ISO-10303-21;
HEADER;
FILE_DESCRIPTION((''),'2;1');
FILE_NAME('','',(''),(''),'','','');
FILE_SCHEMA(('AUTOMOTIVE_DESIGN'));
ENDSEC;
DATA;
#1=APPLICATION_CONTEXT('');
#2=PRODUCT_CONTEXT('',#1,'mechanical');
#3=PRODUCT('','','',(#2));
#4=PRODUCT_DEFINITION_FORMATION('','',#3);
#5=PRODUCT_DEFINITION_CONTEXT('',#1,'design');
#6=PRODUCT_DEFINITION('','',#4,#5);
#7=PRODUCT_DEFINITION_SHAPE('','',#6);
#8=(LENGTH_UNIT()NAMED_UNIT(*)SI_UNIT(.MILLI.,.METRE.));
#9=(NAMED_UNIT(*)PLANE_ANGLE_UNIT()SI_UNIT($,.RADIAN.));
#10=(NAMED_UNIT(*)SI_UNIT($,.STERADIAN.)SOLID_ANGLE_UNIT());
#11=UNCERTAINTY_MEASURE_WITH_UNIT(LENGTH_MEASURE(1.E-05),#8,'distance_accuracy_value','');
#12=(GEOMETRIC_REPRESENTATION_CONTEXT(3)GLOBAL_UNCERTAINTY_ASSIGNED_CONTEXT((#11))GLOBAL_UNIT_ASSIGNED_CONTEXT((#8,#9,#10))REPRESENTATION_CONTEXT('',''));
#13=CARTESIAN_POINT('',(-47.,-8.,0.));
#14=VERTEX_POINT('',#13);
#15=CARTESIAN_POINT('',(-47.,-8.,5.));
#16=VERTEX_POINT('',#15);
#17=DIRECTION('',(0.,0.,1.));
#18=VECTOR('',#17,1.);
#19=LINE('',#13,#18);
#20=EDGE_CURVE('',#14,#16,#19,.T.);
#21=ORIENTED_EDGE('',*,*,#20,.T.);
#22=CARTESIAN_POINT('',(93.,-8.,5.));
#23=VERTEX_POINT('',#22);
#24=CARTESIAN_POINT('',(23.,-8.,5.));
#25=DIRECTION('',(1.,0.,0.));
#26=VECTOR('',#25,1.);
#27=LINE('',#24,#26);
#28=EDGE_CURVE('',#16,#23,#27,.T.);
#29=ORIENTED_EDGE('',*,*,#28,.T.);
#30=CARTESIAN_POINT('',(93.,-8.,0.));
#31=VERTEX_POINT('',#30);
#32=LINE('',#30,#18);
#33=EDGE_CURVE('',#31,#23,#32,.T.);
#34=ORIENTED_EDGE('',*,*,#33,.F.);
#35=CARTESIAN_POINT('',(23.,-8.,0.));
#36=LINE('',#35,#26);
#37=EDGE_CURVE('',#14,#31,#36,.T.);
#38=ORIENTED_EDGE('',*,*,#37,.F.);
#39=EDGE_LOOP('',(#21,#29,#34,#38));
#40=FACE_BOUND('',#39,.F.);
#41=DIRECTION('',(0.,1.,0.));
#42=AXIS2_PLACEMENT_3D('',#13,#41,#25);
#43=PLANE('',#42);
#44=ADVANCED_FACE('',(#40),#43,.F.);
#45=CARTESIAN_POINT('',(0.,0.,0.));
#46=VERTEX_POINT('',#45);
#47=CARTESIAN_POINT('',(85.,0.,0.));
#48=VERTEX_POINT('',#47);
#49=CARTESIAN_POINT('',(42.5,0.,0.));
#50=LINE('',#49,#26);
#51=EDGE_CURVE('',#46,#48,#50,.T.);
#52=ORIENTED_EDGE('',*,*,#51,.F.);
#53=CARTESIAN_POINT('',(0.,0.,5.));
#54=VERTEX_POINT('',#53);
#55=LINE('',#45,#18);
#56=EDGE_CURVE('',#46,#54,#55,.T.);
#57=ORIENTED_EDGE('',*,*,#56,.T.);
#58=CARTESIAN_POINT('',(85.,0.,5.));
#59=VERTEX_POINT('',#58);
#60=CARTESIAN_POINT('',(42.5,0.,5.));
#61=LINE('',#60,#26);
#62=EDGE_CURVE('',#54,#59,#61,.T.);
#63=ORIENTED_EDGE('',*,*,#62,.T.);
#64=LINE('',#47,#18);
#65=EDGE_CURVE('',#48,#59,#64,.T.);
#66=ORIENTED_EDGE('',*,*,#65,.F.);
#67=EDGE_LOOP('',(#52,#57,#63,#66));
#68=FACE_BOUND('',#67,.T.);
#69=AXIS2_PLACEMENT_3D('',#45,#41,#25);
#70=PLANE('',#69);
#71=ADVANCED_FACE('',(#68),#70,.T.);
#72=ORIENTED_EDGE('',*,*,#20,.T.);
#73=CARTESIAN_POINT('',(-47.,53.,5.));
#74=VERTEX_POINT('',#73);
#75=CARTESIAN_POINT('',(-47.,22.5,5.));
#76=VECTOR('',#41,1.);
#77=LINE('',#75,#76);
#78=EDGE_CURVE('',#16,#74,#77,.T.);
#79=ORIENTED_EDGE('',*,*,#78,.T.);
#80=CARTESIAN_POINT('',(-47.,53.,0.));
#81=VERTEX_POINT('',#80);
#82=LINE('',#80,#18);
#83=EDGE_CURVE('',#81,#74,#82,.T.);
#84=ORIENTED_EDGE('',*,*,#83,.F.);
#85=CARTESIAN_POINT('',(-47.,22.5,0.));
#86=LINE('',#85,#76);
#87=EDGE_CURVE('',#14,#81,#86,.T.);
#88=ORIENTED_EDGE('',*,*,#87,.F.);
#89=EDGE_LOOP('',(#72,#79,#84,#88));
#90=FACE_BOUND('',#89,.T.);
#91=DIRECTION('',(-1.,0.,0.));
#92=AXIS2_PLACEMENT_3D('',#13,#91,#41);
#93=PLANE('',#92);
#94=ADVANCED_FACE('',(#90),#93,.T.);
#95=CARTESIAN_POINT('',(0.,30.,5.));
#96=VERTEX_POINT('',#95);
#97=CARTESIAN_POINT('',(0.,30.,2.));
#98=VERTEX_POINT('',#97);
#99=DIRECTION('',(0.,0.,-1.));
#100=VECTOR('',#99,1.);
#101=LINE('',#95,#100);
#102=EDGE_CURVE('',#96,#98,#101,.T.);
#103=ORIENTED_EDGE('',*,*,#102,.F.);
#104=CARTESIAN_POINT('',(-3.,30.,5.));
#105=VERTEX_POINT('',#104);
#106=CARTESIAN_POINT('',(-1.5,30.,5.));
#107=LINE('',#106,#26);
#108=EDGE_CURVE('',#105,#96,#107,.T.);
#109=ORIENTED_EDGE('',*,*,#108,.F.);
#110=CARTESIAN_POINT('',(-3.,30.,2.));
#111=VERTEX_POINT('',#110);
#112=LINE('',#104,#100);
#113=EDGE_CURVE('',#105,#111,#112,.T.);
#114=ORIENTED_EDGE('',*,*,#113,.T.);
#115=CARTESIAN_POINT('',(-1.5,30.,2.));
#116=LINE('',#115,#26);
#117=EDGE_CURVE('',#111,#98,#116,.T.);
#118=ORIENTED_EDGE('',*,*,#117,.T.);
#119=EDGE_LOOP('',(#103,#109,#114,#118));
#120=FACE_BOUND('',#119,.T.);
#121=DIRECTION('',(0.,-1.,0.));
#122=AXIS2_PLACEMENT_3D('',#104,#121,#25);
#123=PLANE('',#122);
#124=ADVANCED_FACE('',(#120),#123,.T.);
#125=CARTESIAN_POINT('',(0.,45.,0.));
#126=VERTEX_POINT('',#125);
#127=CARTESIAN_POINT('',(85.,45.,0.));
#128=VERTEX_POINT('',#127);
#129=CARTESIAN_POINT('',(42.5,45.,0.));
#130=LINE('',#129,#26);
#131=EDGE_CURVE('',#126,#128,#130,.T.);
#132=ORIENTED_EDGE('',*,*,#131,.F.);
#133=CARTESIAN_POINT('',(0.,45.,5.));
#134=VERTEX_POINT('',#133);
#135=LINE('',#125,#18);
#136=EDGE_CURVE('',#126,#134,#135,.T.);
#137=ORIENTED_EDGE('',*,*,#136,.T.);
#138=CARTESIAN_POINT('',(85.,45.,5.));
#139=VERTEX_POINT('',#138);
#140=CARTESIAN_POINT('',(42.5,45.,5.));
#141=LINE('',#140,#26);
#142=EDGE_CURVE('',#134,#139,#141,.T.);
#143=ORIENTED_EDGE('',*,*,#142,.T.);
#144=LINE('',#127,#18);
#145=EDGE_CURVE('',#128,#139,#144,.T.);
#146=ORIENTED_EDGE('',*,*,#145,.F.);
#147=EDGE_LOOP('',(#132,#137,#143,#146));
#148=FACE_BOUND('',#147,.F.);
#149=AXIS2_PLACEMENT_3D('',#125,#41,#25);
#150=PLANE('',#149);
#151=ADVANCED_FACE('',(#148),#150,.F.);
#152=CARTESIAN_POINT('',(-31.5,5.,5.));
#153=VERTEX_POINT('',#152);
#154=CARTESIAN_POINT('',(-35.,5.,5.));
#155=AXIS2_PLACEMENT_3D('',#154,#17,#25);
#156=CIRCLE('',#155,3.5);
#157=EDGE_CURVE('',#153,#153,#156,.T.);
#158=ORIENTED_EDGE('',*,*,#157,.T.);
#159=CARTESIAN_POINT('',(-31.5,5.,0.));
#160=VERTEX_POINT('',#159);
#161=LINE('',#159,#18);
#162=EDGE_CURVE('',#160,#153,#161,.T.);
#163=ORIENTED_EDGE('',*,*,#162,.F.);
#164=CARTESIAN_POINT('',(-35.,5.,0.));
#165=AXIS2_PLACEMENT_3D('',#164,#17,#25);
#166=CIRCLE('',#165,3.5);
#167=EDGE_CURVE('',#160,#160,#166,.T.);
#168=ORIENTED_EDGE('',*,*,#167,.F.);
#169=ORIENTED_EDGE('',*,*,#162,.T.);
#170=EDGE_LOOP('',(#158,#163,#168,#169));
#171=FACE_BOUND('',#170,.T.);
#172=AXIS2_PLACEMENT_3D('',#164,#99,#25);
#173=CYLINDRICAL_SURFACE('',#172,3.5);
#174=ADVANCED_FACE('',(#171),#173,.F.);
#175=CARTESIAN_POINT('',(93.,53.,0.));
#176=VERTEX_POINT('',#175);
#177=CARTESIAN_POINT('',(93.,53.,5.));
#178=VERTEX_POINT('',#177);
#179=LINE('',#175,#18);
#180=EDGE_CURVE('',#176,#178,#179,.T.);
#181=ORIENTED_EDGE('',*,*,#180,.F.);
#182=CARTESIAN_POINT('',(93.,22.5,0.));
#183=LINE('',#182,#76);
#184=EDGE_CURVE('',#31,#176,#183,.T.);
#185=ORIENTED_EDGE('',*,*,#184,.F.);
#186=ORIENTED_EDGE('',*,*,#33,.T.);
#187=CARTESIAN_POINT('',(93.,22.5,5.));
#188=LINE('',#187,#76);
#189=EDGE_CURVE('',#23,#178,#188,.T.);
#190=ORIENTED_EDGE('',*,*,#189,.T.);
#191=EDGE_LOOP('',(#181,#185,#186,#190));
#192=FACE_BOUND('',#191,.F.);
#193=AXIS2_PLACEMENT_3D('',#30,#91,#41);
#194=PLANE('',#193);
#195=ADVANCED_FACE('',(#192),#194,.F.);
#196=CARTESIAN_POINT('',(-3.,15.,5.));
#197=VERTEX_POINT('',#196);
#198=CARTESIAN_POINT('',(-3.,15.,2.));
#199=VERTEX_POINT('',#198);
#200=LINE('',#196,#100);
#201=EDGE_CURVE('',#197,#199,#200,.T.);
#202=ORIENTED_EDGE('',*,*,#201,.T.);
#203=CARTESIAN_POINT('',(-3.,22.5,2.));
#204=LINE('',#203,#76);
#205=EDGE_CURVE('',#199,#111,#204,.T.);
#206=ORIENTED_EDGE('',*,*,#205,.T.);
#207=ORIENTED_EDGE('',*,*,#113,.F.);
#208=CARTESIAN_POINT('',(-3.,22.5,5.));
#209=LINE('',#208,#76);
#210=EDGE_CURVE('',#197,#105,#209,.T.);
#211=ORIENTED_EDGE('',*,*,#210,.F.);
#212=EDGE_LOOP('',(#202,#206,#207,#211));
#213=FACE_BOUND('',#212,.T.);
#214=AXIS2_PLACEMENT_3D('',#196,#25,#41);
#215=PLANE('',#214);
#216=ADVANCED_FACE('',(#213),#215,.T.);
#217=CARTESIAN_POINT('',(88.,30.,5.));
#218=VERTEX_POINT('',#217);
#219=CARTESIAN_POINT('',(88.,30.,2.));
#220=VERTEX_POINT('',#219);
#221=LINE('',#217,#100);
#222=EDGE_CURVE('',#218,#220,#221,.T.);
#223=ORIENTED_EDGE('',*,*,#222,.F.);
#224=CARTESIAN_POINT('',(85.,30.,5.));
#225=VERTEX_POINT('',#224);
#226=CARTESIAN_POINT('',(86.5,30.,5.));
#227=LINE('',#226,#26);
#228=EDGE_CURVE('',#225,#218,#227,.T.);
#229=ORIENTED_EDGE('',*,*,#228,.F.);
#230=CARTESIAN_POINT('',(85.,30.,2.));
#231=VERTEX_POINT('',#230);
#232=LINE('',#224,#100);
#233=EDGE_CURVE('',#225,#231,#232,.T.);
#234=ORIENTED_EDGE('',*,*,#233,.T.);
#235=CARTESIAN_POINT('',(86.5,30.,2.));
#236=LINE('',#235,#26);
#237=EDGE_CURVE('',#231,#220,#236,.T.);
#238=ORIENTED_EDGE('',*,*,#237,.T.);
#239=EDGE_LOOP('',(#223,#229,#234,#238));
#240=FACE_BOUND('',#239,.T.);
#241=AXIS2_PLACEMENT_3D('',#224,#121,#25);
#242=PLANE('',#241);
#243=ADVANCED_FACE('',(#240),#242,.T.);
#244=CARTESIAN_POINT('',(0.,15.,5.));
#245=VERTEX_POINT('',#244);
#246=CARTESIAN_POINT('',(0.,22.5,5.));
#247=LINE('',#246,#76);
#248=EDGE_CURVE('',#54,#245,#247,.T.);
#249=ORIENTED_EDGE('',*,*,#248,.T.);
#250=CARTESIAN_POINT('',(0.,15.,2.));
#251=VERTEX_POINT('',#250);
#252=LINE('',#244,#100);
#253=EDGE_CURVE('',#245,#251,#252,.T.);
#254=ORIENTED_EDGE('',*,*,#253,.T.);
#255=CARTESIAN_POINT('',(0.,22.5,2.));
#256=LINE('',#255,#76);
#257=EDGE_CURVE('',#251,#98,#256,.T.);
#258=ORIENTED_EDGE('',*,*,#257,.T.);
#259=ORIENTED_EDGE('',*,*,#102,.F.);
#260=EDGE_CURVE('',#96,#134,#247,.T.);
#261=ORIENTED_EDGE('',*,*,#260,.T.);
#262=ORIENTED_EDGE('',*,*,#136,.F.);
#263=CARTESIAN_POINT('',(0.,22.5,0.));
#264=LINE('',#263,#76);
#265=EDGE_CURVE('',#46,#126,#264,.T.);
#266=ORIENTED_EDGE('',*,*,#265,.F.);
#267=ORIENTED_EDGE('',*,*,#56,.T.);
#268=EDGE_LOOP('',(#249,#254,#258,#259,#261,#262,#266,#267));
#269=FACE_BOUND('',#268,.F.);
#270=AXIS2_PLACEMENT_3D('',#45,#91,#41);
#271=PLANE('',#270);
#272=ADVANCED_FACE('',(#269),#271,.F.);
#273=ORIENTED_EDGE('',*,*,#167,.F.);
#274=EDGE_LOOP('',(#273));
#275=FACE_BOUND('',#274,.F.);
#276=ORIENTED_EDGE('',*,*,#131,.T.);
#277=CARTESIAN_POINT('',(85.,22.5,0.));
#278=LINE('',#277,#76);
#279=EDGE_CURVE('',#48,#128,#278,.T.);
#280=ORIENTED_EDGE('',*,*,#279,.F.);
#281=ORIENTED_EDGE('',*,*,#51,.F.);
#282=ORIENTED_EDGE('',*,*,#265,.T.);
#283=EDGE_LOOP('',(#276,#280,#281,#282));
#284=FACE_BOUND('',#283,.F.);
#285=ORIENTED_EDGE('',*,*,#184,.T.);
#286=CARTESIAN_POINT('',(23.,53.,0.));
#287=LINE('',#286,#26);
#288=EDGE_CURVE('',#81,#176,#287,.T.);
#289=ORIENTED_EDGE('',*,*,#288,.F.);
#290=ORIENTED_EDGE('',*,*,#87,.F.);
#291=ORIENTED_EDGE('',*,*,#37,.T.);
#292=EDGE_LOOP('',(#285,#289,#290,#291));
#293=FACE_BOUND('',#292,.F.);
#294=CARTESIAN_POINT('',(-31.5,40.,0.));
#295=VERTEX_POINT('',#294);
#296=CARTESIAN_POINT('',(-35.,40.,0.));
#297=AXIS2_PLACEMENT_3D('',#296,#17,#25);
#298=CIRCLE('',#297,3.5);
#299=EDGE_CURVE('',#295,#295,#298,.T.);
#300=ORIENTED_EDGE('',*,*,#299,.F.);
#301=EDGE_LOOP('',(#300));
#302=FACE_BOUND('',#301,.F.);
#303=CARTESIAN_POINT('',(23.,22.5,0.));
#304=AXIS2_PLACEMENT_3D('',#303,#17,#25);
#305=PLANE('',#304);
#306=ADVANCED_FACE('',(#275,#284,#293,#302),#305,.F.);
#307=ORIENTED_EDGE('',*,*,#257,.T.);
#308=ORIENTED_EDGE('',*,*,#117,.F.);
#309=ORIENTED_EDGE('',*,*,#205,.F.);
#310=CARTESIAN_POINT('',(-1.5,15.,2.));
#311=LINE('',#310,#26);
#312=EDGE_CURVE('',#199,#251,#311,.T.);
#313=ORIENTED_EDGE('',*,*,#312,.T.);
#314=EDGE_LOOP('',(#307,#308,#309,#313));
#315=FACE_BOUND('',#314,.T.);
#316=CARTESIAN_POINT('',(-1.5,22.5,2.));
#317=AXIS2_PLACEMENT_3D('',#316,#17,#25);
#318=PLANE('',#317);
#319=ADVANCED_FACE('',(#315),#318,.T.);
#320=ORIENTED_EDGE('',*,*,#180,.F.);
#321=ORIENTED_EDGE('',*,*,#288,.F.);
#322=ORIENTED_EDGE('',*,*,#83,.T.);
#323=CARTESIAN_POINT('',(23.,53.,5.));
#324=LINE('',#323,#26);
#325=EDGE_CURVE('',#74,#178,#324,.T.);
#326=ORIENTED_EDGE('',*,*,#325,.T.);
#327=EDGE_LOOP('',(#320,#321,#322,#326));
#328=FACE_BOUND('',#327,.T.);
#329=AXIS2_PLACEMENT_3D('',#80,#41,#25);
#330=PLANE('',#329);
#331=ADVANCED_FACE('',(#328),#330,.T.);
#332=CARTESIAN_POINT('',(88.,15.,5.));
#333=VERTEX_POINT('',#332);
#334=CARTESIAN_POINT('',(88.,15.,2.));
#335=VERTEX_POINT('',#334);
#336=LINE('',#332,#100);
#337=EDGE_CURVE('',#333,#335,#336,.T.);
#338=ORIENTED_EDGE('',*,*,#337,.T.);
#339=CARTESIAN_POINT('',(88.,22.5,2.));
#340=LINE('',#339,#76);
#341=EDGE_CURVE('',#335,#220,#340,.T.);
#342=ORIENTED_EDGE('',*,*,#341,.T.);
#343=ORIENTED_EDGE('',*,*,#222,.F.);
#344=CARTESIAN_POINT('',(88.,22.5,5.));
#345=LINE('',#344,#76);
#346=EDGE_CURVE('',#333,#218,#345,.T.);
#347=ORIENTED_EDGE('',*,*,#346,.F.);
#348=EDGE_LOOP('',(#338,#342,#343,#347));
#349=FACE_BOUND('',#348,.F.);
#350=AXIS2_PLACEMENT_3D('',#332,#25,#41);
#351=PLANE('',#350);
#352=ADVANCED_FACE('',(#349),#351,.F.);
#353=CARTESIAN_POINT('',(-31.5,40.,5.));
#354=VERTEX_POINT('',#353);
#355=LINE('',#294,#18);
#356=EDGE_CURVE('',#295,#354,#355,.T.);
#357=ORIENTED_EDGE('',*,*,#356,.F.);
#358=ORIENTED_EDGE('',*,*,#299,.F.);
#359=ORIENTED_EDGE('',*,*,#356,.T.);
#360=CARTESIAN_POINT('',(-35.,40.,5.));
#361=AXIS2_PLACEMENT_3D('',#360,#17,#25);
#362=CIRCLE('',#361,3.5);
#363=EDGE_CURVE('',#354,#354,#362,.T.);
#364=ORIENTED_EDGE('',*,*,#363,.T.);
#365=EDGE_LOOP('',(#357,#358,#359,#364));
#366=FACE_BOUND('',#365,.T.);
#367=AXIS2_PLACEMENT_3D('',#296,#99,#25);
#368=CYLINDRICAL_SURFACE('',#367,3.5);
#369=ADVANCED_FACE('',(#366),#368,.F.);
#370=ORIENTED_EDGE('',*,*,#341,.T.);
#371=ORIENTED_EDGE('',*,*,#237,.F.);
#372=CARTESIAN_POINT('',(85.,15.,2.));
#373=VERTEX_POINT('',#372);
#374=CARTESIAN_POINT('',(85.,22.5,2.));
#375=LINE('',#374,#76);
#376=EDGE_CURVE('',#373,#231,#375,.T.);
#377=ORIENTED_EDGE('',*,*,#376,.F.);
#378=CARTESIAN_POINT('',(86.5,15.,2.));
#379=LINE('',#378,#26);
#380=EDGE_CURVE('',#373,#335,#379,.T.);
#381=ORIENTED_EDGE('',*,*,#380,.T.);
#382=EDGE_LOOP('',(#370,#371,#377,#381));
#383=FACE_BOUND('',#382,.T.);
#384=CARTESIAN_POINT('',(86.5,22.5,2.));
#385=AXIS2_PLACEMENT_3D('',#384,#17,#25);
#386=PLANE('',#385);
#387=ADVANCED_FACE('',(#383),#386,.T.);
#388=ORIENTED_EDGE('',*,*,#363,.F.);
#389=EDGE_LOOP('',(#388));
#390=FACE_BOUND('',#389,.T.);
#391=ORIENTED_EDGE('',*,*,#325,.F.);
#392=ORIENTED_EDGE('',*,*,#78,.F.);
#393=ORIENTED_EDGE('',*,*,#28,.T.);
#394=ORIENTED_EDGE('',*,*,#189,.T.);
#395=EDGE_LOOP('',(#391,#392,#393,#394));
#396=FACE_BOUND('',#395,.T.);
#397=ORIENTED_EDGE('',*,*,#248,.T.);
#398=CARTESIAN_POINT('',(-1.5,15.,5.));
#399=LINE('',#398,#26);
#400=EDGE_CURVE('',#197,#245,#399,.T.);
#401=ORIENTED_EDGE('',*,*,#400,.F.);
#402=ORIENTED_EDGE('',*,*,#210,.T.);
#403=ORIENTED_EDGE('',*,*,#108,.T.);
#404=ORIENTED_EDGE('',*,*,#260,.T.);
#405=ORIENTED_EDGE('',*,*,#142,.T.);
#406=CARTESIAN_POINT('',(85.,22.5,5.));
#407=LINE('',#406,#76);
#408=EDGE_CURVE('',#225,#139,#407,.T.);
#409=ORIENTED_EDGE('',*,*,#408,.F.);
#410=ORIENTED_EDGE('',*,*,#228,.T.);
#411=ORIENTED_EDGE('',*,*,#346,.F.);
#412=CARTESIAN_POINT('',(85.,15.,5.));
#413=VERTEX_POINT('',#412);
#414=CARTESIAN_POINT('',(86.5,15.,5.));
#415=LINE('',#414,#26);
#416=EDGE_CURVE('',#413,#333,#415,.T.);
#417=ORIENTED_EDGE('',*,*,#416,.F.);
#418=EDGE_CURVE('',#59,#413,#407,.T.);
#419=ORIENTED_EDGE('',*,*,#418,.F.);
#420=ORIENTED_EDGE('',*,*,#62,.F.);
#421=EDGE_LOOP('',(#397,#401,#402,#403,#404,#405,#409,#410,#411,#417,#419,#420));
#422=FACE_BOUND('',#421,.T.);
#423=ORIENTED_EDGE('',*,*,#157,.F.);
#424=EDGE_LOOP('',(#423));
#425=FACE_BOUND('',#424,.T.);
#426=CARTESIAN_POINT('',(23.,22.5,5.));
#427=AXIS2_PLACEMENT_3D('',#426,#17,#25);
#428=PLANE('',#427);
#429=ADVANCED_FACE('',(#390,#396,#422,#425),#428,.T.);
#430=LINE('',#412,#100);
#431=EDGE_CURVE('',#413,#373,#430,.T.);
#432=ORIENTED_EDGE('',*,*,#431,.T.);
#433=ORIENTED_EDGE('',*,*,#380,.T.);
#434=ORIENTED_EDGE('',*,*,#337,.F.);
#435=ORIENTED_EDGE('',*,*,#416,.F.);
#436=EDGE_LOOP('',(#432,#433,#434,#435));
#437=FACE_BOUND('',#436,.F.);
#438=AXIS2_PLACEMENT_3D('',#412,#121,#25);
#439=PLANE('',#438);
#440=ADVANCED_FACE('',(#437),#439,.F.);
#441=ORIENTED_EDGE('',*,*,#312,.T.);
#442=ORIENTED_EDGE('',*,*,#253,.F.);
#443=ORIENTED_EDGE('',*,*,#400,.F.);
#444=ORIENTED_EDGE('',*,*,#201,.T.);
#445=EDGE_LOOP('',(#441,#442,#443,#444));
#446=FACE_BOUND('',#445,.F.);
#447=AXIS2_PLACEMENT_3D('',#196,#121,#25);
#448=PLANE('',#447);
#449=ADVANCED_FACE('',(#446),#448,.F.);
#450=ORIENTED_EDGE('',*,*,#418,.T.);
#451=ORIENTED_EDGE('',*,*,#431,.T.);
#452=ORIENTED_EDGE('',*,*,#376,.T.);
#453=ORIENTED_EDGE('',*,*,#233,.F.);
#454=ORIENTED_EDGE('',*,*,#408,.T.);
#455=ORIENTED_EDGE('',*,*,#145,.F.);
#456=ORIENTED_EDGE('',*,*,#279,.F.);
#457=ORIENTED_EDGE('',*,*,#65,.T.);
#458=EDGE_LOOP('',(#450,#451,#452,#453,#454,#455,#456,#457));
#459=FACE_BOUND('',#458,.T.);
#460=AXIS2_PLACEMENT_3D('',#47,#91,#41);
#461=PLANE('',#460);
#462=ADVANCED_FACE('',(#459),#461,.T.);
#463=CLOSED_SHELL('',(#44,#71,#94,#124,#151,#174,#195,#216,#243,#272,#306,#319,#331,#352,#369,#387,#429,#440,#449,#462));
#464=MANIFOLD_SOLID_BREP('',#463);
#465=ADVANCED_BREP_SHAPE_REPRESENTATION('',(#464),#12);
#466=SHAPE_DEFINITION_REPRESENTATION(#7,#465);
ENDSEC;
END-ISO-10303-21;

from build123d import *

# Parameters (mm, degrees)
F0_W     = 140
F0_H     = 61
F0_R     = 3.5
F0_W_2   = 85
F0_H_2   = 45
F1_DEPTH = 5
F2_W     = 3
F2_H     = 15
F3_DEPTH = 3


with BuildPart() as f1:
    # F0 (on Top) → F1 (new body)
    with BuildSketch(Plane.XY):
        with Locations((23, 22.5)):
            Rectangle(F0_W, F0_H)
        with Locations((-35, 5)):
            Circle(F0_R, mode=Mode.SUBTRACT)
        with Locations((-35, 40)):
            Circle(F0_R, mode=Mode.SUBTRACT)
        with Locations((42.5, 22.5)):
            Rectangle(F0_W_2, F0_H_2, mode=Mode.SUBTRACT)
    extrude(amount=F1_DEPTH)

    # F2 (on face) → F3 (cut)
    with BuildSketch(Plane.XY.offset(5)):
        with Locations((-1.5, 22.5)):
            Rectangle(F2_W, F2_H)
        with Locations((86.5, 22.5)):
            Rectangle(F2_W, F2_H)
    extrude(amount=-F3_DEPTH, mode=Mode.SUBTRACT)


solid = f1.part
